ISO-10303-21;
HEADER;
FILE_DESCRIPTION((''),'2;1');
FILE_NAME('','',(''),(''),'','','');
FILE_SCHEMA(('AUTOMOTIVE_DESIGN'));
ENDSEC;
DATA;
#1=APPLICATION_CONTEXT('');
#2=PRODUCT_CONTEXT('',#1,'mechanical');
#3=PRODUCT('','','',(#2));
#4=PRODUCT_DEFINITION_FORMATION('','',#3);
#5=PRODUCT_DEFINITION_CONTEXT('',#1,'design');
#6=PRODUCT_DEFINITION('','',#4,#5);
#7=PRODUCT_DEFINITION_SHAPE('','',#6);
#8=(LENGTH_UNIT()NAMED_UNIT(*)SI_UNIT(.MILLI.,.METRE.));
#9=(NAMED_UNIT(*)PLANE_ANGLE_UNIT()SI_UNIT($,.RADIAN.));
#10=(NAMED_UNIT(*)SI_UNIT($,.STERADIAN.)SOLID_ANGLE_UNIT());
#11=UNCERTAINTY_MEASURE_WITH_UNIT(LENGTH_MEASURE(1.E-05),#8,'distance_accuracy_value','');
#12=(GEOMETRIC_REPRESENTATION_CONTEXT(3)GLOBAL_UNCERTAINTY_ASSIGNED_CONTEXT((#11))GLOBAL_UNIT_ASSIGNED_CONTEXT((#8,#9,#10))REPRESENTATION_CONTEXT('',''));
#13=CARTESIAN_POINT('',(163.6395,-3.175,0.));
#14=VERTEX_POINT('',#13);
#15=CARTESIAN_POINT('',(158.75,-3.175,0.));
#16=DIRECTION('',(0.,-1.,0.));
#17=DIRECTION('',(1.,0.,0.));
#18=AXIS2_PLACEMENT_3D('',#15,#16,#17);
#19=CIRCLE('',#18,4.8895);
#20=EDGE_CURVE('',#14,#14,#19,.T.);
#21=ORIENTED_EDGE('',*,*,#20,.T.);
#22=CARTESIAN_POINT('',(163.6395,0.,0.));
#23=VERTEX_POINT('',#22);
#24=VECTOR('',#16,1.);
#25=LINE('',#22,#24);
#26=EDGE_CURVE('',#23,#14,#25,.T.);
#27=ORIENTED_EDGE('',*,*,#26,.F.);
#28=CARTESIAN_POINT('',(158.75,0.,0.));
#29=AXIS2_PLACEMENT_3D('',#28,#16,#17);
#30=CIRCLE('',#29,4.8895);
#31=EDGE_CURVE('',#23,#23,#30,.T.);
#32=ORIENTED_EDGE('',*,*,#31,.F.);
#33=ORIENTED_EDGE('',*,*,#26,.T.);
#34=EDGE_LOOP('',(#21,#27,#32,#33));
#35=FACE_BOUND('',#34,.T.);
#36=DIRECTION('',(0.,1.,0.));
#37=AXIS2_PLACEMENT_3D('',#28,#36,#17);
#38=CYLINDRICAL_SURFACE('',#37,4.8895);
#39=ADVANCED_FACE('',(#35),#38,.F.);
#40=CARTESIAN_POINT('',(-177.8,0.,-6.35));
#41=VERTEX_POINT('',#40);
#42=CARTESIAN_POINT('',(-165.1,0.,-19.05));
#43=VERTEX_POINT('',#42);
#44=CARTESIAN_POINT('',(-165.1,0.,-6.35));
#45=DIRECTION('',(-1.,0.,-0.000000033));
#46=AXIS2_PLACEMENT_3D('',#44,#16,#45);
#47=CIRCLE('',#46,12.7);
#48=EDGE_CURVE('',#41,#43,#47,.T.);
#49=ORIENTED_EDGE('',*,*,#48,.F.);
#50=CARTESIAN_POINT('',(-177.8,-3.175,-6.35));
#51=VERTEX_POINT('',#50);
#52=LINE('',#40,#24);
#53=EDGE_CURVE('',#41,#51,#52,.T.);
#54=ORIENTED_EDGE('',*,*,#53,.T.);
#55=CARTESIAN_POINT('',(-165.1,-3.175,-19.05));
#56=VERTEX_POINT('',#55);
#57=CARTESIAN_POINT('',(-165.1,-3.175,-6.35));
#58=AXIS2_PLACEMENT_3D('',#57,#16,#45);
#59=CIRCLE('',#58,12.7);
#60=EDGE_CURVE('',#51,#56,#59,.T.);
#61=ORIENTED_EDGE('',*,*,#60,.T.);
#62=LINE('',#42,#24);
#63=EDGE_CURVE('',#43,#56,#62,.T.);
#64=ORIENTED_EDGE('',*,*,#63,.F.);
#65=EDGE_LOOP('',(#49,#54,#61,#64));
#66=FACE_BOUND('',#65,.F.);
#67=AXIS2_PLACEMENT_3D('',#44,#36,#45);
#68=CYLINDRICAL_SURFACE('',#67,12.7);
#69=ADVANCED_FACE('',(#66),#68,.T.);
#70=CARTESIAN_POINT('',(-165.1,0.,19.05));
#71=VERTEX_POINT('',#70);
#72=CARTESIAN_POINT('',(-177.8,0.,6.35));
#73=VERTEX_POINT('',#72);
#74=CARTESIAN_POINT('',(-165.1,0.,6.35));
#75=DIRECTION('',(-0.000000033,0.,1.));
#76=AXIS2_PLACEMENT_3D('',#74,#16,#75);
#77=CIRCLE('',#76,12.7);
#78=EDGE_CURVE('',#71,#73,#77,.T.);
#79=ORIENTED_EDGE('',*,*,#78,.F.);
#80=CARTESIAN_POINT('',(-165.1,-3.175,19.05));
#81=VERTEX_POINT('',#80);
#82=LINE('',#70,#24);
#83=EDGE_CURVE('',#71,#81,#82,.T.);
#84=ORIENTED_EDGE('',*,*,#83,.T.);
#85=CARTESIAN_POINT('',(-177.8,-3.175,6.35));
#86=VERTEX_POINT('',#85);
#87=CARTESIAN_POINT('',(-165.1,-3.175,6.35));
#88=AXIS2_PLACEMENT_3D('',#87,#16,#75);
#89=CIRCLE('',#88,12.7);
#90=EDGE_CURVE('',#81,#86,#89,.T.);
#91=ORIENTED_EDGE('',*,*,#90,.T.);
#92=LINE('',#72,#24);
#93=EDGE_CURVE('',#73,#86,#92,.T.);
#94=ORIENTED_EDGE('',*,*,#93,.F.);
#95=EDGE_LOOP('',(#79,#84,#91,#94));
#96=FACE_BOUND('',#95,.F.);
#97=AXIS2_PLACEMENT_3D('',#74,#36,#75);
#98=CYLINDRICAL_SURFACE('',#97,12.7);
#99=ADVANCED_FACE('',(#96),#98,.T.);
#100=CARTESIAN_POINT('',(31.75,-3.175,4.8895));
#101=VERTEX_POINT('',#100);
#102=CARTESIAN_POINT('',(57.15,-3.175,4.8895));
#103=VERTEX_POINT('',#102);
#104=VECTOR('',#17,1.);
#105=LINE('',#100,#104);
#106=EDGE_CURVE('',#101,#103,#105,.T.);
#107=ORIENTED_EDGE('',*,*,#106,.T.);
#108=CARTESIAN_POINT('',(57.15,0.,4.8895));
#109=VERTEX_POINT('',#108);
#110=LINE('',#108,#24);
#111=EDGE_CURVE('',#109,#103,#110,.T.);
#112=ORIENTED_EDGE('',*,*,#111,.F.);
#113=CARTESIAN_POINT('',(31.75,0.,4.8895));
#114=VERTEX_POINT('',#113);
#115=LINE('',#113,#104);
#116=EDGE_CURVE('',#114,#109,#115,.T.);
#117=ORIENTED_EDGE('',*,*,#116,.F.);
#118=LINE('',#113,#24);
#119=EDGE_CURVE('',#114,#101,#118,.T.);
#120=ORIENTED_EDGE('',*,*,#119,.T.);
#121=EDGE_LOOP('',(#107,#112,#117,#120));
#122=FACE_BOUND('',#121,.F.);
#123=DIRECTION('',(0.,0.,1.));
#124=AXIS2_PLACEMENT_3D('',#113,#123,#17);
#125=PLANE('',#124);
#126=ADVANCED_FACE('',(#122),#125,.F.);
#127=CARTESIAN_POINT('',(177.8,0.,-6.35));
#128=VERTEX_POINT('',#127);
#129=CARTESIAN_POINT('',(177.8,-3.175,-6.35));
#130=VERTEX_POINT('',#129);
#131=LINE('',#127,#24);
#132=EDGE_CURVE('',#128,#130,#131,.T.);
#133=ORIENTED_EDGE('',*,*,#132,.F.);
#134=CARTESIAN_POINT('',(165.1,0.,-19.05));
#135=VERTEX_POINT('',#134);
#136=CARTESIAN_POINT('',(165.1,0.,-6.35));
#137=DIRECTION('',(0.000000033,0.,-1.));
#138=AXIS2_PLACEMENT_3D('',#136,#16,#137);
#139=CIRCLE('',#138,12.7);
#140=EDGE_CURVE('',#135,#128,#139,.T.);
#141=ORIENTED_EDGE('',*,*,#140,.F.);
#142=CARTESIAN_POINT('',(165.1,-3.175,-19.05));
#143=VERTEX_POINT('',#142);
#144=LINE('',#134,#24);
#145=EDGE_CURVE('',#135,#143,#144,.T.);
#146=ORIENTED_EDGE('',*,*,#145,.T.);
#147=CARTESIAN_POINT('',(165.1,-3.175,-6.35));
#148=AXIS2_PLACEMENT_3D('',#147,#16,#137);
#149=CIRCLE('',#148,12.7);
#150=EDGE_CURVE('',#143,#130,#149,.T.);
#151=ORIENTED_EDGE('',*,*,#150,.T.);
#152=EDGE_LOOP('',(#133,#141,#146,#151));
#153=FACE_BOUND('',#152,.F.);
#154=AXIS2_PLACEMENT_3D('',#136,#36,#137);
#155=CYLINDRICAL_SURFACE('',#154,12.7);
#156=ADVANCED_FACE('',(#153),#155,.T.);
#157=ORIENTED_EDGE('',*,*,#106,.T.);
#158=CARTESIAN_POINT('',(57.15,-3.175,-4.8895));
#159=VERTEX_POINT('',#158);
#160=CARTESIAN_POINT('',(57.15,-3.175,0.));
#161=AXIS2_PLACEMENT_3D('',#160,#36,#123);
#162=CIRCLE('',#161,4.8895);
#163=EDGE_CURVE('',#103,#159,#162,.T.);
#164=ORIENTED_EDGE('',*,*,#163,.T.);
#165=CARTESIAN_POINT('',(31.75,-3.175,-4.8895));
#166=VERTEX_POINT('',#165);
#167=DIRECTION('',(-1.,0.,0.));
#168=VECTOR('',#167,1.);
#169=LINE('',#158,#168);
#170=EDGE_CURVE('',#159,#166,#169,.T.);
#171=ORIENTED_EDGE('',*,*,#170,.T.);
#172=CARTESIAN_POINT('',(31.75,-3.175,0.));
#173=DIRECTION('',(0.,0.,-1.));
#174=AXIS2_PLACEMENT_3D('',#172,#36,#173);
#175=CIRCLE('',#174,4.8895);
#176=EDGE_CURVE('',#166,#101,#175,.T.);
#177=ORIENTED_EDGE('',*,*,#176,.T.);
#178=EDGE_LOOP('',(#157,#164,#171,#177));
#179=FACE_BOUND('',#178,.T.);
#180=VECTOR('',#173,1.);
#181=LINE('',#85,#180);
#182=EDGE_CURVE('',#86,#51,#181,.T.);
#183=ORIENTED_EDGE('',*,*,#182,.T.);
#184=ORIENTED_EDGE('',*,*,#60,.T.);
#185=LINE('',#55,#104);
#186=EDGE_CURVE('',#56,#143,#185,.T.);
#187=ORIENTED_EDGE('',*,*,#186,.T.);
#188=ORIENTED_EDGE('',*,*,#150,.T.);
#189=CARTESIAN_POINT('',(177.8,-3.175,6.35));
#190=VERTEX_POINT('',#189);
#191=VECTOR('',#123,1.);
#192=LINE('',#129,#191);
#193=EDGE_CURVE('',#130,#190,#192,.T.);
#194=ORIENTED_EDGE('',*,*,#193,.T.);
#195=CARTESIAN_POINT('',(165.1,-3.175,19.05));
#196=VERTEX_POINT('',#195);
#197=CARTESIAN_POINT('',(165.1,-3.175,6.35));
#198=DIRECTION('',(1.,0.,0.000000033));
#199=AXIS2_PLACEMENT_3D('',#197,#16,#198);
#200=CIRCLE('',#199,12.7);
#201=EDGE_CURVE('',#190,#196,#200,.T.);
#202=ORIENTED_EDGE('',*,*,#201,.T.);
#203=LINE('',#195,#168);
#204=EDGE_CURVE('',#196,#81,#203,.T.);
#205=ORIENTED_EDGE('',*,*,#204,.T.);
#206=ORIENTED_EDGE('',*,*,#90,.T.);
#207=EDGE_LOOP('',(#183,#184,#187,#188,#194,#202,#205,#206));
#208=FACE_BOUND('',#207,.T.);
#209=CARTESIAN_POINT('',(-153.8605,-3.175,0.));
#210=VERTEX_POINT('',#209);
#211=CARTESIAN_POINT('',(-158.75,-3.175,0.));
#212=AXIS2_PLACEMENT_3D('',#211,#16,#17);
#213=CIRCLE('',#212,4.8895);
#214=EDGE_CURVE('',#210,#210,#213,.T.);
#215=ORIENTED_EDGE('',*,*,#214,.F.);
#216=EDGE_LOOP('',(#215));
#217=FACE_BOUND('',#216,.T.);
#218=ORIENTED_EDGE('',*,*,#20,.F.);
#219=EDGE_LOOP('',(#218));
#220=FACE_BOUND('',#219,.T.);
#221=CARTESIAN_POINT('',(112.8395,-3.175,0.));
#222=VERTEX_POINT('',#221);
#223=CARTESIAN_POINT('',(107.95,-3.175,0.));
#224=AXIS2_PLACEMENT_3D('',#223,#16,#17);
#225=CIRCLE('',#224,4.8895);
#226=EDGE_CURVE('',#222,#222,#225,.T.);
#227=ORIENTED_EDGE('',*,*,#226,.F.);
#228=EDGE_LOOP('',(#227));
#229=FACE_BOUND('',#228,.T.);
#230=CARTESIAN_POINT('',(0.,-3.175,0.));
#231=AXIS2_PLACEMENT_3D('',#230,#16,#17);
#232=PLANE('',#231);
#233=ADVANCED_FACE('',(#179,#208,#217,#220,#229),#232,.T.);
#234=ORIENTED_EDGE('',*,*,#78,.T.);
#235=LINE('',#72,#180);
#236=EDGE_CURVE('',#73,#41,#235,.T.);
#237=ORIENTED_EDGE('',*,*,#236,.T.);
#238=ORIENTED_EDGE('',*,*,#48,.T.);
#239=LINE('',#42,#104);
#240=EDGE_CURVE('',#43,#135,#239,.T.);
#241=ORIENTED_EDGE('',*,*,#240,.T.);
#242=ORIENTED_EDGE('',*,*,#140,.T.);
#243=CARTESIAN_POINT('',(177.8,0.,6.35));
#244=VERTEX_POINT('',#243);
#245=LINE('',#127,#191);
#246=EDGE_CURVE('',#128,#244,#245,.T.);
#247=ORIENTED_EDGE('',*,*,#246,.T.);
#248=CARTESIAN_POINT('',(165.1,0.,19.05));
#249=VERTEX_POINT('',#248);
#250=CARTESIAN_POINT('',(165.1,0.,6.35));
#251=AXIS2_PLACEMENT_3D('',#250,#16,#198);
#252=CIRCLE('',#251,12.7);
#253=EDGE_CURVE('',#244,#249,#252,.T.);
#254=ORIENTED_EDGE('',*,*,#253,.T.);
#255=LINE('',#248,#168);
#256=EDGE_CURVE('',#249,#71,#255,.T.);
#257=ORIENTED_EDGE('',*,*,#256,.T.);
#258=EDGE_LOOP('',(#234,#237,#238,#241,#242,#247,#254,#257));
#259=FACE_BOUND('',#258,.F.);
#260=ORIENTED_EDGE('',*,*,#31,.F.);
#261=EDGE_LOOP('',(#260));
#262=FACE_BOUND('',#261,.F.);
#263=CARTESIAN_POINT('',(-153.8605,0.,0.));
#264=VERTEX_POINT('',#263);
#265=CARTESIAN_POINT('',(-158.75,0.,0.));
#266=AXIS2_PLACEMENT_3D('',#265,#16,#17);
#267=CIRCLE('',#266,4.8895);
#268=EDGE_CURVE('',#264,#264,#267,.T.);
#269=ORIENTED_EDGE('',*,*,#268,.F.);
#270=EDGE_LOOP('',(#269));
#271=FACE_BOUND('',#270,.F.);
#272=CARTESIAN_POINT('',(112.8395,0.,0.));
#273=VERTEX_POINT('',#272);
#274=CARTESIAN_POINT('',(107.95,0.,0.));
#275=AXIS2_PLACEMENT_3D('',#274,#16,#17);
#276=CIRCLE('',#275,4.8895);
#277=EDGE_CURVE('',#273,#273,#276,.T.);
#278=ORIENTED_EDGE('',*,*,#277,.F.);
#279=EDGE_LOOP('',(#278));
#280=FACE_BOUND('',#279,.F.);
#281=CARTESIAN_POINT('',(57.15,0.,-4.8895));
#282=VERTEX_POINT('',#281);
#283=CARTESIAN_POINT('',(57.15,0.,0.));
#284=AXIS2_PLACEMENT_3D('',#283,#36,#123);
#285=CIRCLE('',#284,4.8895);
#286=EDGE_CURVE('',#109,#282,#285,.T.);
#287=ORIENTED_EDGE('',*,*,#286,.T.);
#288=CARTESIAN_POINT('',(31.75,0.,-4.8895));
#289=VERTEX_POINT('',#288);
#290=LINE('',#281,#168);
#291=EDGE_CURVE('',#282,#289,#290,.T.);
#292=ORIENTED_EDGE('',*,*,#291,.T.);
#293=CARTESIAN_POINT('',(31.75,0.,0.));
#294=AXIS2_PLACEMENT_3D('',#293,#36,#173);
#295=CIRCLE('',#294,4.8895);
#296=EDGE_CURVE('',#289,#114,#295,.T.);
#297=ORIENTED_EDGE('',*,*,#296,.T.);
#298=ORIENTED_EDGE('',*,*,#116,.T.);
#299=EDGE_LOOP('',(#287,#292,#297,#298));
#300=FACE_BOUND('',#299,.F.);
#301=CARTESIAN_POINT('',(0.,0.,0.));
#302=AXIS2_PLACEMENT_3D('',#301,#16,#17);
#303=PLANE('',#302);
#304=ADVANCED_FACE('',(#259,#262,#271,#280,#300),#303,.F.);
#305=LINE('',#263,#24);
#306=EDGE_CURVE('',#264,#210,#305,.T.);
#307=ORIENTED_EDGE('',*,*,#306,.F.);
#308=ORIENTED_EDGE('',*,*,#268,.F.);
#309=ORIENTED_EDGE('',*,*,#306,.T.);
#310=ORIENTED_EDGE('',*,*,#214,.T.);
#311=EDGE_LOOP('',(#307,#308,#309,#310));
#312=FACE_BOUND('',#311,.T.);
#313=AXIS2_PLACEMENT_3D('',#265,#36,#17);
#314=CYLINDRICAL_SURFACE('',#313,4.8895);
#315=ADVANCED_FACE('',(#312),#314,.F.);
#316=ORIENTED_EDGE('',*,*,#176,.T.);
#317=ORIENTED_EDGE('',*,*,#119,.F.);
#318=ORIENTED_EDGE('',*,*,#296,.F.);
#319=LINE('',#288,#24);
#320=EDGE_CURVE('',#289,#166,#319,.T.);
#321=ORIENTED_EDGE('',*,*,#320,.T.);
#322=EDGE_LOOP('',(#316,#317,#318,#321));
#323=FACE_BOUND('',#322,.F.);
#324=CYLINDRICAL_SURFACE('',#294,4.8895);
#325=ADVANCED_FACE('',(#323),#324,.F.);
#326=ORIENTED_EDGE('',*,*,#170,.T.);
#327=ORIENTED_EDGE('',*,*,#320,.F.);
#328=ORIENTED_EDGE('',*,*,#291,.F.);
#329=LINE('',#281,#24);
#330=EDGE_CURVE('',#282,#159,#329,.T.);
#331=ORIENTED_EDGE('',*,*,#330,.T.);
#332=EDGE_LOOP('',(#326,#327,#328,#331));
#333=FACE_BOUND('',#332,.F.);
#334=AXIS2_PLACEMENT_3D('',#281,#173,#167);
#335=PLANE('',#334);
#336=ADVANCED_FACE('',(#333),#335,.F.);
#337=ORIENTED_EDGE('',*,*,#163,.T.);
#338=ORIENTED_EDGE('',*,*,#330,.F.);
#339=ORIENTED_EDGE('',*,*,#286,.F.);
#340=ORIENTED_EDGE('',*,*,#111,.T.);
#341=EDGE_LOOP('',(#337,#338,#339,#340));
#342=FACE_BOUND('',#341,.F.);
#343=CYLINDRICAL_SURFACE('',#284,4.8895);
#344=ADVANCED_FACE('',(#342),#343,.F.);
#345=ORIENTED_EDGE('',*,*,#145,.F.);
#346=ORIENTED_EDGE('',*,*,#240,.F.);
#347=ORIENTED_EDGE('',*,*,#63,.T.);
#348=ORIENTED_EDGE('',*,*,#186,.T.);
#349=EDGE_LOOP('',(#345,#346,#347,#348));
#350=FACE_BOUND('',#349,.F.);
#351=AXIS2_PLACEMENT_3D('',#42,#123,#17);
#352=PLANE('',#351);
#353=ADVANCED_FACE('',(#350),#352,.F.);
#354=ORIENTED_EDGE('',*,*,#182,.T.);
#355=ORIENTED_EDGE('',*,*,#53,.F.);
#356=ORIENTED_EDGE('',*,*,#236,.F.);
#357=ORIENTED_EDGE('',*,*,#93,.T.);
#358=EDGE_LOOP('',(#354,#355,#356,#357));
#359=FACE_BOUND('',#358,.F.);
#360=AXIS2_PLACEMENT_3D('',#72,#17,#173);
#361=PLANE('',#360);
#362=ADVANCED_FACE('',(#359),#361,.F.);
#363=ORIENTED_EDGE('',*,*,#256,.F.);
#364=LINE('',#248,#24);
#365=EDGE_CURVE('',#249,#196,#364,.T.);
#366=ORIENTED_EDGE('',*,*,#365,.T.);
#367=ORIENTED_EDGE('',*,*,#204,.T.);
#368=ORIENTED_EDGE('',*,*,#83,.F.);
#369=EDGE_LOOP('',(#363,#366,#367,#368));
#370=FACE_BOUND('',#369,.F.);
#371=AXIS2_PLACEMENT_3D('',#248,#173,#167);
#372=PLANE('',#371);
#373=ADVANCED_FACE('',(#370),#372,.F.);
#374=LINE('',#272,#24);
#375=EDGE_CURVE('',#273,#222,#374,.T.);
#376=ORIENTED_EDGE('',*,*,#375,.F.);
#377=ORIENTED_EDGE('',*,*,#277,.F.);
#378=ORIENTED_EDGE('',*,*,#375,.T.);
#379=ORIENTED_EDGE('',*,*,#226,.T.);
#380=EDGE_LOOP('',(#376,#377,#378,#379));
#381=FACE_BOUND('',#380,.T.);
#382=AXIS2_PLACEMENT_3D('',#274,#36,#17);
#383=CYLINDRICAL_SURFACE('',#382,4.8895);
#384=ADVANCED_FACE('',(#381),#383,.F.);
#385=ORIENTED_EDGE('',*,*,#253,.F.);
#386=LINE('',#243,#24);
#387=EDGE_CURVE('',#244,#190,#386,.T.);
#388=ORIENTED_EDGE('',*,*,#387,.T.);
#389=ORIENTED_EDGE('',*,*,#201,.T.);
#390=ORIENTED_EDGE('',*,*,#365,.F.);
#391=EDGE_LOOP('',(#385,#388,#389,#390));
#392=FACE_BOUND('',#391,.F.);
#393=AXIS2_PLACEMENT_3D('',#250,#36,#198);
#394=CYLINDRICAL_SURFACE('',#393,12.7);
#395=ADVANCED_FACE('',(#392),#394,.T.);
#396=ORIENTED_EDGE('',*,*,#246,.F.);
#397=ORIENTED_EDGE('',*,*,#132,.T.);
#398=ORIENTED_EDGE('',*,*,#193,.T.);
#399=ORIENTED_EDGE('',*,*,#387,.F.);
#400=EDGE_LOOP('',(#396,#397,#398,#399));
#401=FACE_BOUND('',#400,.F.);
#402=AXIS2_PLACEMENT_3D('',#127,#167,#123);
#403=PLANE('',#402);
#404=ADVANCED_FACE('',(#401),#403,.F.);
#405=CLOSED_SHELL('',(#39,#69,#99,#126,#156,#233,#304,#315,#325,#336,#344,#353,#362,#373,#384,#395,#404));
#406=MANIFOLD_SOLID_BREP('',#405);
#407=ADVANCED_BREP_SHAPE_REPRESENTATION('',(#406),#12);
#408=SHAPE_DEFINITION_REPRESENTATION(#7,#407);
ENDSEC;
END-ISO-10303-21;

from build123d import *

# Parameters (mm, degrees)
F0_R     = 4.8895
F1_DEPTH = 3.175


with BuildPart() as f1:
    # F0 (on Front) → F1 (new body)
    with BuildSketch(Plane.XZ):
        with BuildLine():
            Line((-165.1, -19.05), (165.1, -19.05))
            ThreePointArc((165.1, -19.05), (174.080256, -15.330256), (177.8, -6.35))
            Line((177.8, -6.35), (177.8, 6.35))
            ThreePointArc((177.8, 6.35), (174.080256, 15.330256), (165.1, 19.05))
            Line((165.1, 19.05), (-165.1, 19.05))
            ThreePointArc((-165.1, 19.05), (-174.080256, 15.330256), (-177.8, 6.35))
            Line((-177.8, 6.35), (-177.8, -6.35))
            ThreePointArc((-177.8, -6.35), (-174.080256, -15.330256), (-165.1, -19.05))
        make_face()
        with Locations((-158.75, 0)):
            Circle(F0_R, mode=Mode.SUBTRACT)
        with BuildLine():
            Line((31.75, 4.8895), (57.15, 4.8895))
            ThreePointArc((57.15, 4.8895), (62.0395, 0), (57.15, -4.8895))
            Line((57.15, -4.8895), (31.75, -4.8895))
            ThreePointArc((31.75, -4.8895), (26.8605, 0), (31.75, 4.8895))
        make_face(mode=Mode.SUBTRACT)
        with Locations((107.95, 0)):
            Circle(F0_R, mode=Mode.SUBTRACT)
        with Locations((158.75, 0)):
            Circle(F0_R, mode=Mode.SUBTRACT)
    extrude(amount=F1_DEPTH)


solid = f1.part
